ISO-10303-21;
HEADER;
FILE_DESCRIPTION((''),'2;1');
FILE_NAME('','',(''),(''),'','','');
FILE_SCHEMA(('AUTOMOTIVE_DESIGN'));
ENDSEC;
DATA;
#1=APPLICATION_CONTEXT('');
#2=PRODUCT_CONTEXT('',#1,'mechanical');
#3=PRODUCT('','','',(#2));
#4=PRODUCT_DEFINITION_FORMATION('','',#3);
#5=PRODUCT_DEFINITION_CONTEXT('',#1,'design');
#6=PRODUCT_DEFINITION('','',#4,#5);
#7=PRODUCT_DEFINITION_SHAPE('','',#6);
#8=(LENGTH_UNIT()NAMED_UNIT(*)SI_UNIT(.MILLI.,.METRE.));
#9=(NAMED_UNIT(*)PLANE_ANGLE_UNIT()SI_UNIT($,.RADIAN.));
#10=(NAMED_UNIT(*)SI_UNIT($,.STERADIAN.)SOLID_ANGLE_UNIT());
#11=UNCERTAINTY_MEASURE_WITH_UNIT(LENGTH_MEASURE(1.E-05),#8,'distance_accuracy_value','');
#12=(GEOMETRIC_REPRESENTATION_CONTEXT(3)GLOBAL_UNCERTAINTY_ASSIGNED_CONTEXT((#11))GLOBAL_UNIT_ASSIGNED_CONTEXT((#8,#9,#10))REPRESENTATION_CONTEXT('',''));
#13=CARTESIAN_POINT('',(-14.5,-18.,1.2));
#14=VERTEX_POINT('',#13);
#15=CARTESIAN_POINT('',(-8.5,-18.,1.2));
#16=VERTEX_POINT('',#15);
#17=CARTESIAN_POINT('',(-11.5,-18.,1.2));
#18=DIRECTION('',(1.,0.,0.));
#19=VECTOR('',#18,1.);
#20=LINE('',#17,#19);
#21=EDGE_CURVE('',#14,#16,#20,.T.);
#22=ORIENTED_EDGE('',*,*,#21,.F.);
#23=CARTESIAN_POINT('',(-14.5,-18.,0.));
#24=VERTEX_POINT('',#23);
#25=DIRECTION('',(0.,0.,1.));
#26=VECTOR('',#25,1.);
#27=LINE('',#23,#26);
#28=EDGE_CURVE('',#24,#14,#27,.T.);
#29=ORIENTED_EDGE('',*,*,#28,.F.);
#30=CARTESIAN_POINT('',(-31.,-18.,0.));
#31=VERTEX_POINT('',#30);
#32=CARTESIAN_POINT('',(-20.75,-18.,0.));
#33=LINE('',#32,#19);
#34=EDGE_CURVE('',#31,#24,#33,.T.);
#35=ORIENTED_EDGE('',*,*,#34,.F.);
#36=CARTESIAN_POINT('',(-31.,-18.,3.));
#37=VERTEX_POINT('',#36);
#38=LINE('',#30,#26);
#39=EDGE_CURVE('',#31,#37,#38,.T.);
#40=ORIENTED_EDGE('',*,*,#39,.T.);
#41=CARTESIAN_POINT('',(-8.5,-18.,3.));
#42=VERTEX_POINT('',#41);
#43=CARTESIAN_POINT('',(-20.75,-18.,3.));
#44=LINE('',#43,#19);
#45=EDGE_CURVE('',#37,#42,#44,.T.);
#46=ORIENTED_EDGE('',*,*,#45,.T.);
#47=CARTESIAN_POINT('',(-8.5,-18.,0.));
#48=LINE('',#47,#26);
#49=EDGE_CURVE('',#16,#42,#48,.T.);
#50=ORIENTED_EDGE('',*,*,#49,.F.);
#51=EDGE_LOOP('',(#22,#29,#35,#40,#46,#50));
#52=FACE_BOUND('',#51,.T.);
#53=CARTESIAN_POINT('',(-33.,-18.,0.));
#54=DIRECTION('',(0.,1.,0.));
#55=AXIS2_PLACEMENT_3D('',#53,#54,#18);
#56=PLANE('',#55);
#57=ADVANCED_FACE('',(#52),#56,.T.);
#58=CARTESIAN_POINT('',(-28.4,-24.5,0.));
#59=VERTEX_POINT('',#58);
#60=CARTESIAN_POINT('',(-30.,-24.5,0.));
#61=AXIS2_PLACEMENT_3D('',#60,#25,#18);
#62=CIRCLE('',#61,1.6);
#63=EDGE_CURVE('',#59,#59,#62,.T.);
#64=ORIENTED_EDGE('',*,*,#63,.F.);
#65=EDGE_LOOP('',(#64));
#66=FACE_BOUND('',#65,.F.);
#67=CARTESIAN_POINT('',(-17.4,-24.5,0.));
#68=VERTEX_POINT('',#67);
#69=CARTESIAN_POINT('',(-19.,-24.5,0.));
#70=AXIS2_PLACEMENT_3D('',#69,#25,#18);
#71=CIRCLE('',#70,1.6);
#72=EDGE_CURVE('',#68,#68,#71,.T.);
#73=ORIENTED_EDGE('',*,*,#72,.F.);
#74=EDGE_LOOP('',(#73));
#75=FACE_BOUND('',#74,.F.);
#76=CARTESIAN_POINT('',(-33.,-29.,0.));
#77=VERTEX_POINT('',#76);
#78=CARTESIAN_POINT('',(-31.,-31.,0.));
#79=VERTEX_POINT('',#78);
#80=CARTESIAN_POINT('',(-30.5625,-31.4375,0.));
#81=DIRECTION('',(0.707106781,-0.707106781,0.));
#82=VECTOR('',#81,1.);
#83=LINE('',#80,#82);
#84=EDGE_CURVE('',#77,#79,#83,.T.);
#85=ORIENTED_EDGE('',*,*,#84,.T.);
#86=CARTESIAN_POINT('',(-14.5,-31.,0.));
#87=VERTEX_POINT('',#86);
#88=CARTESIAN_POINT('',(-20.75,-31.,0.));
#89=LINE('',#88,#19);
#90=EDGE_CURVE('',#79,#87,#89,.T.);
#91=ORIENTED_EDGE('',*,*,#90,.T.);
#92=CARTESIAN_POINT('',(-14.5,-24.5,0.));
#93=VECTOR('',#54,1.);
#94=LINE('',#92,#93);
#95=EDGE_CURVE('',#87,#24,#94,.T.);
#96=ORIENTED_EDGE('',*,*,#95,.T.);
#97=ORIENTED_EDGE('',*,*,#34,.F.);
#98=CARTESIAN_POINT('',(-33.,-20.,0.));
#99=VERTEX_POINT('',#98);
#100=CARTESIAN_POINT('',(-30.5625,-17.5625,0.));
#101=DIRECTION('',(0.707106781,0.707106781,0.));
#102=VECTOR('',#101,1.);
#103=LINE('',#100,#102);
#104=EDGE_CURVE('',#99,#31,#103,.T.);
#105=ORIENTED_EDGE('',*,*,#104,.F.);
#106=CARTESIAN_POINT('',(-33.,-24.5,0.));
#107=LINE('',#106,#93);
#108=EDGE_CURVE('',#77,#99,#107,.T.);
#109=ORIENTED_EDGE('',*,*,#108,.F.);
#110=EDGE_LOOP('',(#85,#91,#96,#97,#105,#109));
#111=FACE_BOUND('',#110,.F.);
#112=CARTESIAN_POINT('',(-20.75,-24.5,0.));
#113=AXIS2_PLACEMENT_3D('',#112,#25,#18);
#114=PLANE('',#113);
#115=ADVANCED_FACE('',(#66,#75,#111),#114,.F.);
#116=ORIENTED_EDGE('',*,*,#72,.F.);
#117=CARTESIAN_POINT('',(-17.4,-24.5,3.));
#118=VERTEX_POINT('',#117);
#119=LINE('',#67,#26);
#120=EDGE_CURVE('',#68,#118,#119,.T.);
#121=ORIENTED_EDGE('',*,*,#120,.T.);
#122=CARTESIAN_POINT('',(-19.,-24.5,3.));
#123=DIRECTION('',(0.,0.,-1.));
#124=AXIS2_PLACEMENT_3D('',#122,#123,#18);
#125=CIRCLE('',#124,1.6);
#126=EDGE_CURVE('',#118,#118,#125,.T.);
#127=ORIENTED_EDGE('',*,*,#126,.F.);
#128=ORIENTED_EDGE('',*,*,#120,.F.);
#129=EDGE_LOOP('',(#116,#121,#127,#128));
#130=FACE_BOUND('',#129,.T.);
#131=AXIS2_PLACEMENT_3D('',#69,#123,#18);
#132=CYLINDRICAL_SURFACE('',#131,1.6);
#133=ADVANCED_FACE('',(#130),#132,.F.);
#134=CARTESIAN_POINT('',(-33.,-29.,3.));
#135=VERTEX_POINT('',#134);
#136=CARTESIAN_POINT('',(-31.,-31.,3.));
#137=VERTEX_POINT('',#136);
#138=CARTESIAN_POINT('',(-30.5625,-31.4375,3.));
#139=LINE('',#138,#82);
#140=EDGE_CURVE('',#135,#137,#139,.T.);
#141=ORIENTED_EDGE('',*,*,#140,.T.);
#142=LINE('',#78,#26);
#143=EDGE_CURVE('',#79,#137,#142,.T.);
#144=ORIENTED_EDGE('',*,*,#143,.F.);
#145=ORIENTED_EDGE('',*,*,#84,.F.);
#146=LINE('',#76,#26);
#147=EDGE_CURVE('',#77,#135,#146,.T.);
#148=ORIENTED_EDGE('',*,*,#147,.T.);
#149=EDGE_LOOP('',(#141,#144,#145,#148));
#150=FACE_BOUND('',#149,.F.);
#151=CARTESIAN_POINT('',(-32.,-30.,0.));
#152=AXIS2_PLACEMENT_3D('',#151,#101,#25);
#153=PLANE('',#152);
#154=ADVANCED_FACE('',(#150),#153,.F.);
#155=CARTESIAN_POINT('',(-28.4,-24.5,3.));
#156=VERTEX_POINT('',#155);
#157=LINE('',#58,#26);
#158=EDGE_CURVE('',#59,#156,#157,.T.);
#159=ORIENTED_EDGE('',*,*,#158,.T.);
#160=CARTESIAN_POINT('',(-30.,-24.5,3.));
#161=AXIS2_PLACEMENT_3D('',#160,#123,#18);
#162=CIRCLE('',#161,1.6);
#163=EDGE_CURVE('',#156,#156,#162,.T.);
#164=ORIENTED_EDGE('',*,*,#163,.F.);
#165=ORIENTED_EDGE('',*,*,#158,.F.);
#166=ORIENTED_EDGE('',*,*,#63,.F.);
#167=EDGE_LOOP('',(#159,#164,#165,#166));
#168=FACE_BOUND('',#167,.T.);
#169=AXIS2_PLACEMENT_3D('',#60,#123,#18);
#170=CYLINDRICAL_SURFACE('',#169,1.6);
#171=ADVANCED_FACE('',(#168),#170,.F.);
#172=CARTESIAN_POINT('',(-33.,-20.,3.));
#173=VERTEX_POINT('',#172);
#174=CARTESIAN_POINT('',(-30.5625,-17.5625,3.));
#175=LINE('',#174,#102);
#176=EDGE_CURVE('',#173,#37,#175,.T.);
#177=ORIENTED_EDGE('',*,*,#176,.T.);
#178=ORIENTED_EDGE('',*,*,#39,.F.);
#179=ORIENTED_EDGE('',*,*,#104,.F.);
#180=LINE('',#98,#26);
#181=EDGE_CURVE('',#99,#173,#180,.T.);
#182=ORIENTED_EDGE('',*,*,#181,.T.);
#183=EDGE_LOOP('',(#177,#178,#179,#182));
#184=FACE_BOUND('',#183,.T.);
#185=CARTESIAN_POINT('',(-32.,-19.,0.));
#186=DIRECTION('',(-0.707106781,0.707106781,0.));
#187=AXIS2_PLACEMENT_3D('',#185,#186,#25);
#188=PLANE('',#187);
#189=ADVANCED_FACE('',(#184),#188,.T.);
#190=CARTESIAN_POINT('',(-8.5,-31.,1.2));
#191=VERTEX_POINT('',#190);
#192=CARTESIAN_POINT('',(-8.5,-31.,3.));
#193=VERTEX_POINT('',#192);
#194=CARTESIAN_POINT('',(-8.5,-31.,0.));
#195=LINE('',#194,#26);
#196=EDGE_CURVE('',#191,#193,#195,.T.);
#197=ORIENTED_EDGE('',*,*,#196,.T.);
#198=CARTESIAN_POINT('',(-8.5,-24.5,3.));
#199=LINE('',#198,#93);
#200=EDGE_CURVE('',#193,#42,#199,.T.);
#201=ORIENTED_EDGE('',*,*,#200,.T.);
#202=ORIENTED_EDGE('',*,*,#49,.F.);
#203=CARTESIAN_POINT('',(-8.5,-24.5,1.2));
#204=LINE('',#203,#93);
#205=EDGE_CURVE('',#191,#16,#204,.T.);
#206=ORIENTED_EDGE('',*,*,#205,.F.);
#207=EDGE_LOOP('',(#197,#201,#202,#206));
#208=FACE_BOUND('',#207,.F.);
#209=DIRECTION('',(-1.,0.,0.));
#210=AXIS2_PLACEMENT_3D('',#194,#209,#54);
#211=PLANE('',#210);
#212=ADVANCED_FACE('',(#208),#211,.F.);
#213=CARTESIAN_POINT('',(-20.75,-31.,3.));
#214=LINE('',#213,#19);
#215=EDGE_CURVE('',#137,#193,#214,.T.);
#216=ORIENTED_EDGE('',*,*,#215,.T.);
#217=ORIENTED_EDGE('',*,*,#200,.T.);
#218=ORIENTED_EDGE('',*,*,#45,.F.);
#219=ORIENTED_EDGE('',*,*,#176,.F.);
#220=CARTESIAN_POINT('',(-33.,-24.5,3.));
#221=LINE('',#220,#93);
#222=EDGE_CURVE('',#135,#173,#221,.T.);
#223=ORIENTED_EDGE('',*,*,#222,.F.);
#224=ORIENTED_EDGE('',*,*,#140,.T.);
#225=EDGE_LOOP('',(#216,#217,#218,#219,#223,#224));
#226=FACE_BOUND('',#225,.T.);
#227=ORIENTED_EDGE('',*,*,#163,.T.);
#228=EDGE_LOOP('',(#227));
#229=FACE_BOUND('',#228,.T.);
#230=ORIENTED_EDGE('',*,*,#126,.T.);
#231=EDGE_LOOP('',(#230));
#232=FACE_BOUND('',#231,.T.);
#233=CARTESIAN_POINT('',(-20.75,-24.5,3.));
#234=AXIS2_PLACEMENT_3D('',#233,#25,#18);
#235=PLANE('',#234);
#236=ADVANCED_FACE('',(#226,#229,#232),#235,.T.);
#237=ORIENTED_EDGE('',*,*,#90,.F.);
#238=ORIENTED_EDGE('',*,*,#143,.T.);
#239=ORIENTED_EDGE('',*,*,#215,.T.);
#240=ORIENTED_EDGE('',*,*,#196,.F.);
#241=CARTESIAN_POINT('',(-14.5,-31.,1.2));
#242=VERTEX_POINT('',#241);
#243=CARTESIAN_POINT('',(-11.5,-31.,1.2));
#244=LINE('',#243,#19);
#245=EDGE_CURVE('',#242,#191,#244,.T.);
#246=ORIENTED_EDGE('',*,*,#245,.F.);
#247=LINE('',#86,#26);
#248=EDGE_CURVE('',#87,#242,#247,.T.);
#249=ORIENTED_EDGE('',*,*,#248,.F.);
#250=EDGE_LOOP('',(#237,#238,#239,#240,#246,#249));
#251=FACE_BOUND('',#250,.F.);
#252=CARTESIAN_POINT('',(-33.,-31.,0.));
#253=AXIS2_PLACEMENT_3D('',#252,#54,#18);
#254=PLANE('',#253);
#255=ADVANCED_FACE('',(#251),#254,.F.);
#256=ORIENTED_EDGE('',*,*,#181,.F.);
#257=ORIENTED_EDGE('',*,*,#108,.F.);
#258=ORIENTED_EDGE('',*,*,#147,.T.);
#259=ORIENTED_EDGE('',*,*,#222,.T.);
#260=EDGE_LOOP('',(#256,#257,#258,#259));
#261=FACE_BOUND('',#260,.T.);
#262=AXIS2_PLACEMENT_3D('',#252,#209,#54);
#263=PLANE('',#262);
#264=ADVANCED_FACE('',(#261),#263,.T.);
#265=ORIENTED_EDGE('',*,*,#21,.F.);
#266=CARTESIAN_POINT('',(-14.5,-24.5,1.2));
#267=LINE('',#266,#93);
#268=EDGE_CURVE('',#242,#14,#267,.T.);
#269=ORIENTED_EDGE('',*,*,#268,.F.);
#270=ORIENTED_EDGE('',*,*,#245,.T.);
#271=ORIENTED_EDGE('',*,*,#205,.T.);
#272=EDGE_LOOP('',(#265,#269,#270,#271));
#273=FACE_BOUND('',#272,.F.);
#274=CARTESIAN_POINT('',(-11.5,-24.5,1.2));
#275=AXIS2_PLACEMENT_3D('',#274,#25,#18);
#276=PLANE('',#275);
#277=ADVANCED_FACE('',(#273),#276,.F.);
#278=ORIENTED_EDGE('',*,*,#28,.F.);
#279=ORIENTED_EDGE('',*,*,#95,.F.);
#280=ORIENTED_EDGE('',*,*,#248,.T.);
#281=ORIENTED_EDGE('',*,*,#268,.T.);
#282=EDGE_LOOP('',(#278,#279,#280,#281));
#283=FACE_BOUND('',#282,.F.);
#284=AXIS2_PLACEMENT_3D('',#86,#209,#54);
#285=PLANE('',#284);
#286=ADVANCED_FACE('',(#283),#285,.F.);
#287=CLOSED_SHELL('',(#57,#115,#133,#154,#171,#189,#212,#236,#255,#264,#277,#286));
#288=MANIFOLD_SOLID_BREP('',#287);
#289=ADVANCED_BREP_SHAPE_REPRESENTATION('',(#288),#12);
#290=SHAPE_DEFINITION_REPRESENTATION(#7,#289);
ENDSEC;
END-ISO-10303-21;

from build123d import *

# Parameters (mm, degrees)
CYLINDER004_R     = 1.6
CYLINDER004_DEPTH = 10
BOX017_W          = 6
BOX017_H          = 13
BOX017_DEPTH      = 1.2
CYLINDER003_R     = 1.6
CYLINDER003_DEPTH = 10
BOX016_W          = 24.5
BOX016_H          = 13
BOX016_DEPTH      = 3
CHAMFER001_SIZE   = 2


with BuildPart() as cylinder004:
    # Cylinder004 → Cylinder004 (new body)
    with BuildSketch(Plane(origin=(-19, -24.5, 0), x_dir=(1, 0, 0), z_dir=(0, 0, 1))):
        Circle(CYLINDER004_R)
    extrude(amount=CYLINDER004_DEPTH)


with BuildPart() as cube017:
    # Box017 → Box017 (new body)
    with BuildSketch(Plane(origin=(-14.5, -31, 0), x_dir=(1, 0, 0), z_dir=(0, 0, 1))):
        with Locations((3, 6.5)):
            Rectangle(BOX017_W, BOX017_H)
    extrude(amount=BOX017_DEPTH)


with BuildPart() as fusion001002:
    # Cylinder003 → Cylinder003 (new body)
    with BuildSketch(Plane(origin=(-30, -24.5, 0), x_dir=(1, 0, 0), z_dir=(0, 0, 1))):
        Circle(CYLINDER003_R)
    extrude(amount=CYLINDER003_DEPTH)

    # Fusion001002: union Cylinder004, Cube017
    add(cylinder004.part)
    add(cube017.part)


with BuildPart() as chamfer001:
    # Box016 → Box016 (new body)
    with BuildSketch(Plane(origin=(-33, -31, 0), x_dir=(1, 0, 0), z_dir=(0, 0, 1))):
        with Locations((12.25, 6.5)):
            Rectangle(BOX016_W, BOX016_H)
    extrude(amount=BOX016_DEPTH)

    # Cut008: cut Fusion001002
    add(fusion001002.part, mode=Mode.SUBTRACT)

    # Chamfer001
    chamfer001_edges = [chamfer001.edges().sort_by_distance(p)[0] for p in [
        (-33, -31, 1.5),
        (-33, -18, 1.5),
    ]]
    chamfer(chamfer001_edges, length=CHAMFER001_SIZE)


solid = chamfer001.part
